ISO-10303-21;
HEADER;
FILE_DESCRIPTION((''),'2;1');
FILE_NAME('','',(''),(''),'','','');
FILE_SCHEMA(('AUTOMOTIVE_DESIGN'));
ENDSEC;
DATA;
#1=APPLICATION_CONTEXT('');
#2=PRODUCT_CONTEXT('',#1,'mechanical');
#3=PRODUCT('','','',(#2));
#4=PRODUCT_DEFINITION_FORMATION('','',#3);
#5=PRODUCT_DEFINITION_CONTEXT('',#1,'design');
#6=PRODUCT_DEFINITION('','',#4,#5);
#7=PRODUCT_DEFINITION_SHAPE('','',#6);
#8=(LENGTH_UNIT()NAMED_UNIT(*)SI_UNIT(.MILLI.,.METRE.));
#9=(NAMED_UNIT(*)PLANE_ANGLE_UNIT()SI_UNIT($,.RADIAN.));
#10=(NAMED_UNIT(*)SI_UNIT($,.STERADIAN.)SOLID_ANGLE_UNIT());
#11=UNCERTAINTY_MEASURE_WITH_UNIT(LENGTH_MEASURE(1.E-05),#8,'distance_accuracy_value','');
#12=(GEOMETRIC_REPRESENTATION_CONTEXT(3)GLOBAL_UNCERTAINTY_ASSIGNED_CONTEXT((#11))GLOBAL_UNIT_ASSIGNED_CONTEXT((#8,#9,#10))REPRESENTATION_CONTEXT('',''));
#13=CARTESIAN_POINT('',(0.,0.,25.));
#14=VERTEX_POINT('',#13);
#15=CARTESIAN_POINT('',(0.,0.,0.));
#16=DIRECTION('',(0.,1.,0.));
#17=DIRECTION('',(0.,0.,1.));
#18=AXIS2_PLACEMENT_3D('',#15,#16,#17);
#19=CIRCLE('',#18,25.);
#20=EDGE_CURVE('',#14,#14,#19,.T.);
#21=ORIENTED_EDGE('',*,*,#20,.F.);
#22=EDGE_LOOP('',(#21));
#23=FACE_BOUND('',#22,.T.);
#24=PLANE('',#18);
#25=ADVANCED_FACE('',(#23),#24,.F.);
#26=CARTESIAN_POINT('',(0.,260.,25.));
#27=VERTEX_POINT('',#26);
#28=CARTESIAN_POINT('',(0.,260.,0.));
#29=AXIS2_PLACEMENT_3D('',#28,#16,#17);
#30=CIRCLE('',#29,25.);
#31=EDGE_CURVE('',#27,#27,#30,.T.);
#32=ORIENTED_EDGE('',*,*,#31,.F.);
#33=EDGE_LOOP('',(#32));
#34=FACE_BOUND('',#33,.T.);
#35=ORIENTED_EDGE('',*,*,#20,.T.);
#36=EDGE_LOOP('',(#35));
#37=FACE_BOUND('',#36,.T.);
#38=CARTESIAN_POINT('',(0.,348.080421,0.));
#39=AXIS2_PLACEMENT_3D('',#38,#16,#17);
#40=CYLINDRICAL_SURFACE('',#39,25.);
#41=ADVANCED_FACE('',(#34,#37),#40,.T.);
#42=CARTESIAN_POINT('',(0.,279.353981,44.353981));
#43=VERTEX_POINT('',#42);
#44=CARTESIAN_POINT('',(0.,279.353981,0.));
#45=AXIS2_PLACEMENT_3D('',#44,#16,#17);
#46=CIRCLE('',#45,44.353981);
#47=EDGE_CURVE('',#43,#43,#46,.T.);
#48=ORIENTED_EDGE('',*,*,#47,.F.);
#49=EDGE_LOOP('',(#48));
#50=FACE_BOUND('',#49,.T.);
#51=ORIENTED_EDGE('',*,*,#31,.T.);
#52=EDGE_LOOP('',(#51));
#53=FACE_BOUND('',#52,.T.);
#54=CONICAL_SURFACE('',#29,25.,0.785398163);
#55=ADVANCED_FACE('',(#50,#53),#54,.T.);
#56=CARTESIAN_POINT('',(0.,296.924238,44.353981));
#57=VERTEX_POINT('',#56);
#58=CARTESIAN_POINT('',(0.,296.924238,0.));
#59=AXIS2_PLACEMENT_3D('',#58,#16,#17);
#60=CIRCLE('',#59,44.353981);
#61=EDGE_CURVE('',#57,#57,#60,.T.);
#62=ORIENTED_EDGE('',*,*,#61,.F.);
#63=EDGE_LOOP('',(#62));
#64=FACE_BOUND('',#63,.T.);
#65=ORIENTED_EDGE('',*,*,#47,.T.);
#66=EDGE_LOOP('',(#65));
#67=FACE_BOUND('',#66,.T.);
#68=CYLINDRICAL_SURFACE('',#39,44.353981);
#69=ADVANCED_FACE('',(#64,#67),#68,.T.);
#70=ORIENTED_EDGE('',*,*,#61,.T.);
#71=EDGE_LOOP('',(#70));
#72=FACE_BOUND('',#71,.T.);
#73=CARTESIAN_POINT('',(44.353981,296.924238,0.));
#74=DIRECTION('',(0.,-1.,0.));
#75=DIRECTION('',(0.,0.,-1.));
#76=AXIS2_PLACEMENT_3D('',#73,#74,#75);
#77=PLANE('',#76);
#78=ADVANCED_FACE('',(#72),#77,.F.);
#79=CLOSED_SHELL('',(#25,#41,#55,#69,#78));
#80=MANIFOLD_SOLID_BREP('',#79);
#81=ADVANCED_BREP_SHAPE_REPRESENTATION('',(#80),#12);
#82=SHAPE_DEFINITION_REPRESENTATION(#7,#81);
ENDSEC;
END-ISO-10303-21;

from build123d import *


with BuildPart() as part:
    # Эскиз1 → Повернуть1 (revolve)
    with BuildSketch(Plane.XY):
        Polygon((0, 0), (25, 0), (25, 260), (44.353980996, 279.353980996), (44.353980996, 296.924237963), (0, 296.924237963), align=None)
    revolve(axis=Axis((0, 348.080420571, 0), (0, -1, 0)))


solid = part.part
